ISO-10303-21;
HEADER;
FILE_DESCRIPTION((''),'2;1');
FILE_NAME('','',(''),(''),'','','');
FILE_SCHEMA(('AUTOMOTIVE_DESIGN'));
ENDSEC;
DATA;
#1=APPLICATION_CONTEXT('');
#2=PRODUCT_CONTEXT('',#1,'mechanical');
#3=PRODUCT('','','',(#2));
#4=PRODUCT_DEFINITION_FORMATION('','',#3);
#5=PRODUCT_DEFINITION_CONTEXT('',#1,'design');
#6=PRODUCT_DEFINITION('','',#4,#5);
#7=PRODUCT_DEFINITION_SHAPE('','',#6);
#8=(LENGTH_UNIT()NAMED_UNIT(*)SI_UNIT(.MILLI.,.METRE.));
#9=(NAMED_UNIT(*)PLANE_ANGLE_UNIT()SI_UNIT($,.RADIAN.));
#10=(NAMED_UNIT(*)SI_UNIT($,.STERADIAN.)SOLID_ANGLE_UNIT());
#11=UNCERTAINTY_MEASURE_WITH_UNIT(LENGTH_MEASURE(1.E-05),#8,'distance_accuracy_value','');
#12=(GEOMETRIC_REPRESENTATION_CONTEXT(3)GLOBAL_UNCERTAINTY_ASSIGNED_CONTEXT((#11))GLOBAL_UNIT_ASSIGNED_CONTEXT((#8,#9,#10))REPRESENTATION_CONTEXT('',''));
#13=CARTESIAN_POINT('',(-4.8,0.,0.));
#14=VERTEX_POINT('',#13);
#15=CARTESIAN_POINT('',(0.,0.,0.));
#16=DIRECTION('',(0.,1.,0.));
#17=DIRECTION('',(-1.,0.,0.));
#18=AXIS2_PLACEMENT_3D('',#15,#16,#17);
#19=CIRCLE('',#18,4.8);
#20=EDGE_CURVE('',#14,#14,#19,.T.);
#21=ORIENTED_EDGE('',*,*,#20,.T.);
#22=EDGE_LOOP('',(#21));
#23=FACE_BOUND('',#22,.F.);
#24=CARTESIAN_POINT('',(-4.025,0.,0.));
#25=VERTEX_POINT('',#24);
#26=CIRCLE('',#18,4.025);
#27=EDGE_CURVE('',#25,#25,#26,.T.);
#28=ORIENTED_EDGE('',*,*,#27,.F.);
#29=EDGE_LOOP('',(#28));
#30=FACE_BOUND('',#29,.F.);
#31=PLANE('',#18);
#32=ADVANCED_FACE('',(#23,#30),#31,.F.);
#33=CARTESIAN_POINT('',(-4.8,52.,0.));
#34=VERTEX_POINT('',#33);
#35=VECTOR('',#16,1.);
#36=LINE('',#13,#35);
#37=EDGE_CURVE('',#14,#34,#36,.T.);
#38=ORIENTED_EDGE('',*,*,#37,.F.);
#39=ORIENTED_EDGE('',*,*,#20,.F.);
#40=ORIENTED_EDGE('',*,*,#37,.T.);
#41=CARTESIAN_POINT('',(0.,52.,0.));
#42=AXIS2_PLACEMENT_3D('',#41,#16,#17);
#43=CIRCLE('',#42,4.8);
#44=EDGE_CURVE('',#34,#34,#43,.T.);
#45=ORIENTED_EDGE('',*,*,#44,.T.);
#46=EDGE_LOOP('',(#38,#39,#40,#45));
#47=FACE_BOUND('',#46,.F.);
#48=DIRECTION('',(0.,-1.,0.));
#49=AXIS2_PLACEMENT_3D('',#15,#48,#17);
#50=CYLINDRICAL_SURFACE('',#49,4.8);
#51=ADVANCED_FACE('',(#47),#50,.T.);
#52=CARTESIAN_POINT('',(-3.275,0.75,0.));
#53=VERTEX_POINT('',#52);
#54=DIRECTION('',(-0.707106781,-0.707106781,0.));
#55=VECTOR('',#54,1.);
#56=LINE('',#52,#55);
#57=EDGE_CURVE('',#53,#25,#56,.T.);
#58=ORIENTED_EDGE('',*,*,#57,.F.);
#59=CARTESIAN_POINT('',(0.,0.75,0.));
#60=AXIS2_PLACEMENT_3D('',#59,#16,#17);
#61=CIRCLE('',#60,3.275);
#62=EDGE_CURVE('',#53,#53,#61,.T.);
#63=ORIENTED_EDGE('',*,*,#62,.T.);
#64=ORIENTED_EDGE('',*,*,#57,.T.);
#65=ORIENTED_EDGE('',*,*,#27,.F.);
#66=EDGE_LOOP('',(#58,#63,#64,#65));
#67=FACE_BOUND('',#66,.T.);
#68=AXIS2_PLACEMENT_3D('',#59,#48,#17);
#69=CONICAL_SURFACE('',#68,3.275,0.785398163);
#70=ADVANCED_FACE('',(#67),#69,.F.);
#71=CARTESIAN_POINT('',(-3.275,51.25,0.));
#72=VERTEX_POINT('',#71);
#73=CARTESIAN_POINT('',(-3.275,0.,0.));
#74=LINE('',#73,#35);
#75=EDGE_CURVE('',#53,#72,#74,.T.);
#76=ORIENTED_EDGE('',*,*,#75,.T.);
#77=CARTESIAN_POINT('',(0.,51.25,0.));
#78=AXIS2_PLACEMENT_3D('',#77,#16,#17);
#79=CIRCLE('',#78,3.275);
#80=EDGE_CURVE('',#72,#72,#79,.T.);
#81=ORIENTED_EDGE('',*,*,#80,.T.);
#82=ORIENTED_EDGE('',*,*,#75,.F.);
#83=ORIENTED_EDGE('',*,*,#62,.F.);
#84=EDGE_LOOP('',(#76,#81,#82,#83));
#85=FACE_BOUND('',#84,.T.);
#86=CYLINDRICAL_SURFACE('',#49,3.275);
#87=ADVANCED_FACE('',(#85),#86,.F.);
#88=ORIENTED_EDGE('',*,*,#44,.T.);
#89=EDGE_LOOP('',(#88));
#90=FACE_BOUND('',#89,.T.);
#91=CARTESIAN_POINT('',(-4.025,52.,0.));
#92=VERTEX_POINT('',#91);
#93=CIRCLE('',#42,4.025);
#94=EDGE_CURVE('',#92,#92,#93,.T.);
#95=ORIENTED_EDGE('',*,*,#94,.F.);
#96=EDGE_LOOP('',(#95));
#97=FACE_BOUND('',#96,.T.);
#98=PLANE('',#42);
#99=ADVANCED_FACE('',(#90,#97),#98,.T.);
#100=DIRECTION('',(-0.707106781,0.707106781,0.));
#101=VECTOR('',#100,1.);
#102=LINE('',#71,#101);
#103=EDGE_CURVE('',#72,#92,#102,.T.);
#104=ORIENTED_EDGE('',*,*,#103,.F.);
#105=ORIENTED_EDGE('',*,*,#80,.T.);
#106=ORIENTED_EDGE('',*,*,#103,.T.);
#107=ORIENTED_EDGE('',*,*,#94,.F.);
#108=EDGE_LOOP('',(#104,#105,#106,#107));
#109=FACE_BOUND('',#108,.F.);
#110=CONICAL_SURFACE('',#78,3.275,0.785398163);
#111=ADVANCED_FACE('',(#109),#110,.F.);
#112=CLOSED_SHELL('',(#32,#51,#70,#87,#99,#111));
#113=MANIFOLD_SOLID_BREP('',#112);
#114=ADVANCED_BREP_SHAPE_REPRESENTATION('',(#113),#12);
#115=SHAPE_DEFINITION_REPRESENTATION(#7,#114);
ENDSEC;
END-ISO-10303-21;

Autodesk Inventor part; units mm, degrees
ref_plane "YZ Plane" through (0, 0, 0) normal (1, 0, 0) x (0, 1, 0)
ref_plane "XZ Plane" through (0, 0, 0) normal (0, 1, 0) x (-1, 0, 0)
ref_plane "XY Plane" through (0, 0, 0) normal (0, 0, 1) x (1, 0, 0)
sketch "Sketch1" plane through (0, 0, 0) normal (0, 1, 0) x (-1, 0, 0)
  circle A0 centre (0, 0) radius 3.275
  circle A1 centre (0, 0) radius 4.8
  dimension "d0" = 6.55
  dimension "d1" = 9.6
extrude "Extrusion1" add sketch "Sketch1" along normal blind 52
chamfer "Chamfer1" distance 0.75 angle 45 2 edges at (3.275, 52, 0) (3.275, 0, 0)
properties part number "Rod 3-8in"
